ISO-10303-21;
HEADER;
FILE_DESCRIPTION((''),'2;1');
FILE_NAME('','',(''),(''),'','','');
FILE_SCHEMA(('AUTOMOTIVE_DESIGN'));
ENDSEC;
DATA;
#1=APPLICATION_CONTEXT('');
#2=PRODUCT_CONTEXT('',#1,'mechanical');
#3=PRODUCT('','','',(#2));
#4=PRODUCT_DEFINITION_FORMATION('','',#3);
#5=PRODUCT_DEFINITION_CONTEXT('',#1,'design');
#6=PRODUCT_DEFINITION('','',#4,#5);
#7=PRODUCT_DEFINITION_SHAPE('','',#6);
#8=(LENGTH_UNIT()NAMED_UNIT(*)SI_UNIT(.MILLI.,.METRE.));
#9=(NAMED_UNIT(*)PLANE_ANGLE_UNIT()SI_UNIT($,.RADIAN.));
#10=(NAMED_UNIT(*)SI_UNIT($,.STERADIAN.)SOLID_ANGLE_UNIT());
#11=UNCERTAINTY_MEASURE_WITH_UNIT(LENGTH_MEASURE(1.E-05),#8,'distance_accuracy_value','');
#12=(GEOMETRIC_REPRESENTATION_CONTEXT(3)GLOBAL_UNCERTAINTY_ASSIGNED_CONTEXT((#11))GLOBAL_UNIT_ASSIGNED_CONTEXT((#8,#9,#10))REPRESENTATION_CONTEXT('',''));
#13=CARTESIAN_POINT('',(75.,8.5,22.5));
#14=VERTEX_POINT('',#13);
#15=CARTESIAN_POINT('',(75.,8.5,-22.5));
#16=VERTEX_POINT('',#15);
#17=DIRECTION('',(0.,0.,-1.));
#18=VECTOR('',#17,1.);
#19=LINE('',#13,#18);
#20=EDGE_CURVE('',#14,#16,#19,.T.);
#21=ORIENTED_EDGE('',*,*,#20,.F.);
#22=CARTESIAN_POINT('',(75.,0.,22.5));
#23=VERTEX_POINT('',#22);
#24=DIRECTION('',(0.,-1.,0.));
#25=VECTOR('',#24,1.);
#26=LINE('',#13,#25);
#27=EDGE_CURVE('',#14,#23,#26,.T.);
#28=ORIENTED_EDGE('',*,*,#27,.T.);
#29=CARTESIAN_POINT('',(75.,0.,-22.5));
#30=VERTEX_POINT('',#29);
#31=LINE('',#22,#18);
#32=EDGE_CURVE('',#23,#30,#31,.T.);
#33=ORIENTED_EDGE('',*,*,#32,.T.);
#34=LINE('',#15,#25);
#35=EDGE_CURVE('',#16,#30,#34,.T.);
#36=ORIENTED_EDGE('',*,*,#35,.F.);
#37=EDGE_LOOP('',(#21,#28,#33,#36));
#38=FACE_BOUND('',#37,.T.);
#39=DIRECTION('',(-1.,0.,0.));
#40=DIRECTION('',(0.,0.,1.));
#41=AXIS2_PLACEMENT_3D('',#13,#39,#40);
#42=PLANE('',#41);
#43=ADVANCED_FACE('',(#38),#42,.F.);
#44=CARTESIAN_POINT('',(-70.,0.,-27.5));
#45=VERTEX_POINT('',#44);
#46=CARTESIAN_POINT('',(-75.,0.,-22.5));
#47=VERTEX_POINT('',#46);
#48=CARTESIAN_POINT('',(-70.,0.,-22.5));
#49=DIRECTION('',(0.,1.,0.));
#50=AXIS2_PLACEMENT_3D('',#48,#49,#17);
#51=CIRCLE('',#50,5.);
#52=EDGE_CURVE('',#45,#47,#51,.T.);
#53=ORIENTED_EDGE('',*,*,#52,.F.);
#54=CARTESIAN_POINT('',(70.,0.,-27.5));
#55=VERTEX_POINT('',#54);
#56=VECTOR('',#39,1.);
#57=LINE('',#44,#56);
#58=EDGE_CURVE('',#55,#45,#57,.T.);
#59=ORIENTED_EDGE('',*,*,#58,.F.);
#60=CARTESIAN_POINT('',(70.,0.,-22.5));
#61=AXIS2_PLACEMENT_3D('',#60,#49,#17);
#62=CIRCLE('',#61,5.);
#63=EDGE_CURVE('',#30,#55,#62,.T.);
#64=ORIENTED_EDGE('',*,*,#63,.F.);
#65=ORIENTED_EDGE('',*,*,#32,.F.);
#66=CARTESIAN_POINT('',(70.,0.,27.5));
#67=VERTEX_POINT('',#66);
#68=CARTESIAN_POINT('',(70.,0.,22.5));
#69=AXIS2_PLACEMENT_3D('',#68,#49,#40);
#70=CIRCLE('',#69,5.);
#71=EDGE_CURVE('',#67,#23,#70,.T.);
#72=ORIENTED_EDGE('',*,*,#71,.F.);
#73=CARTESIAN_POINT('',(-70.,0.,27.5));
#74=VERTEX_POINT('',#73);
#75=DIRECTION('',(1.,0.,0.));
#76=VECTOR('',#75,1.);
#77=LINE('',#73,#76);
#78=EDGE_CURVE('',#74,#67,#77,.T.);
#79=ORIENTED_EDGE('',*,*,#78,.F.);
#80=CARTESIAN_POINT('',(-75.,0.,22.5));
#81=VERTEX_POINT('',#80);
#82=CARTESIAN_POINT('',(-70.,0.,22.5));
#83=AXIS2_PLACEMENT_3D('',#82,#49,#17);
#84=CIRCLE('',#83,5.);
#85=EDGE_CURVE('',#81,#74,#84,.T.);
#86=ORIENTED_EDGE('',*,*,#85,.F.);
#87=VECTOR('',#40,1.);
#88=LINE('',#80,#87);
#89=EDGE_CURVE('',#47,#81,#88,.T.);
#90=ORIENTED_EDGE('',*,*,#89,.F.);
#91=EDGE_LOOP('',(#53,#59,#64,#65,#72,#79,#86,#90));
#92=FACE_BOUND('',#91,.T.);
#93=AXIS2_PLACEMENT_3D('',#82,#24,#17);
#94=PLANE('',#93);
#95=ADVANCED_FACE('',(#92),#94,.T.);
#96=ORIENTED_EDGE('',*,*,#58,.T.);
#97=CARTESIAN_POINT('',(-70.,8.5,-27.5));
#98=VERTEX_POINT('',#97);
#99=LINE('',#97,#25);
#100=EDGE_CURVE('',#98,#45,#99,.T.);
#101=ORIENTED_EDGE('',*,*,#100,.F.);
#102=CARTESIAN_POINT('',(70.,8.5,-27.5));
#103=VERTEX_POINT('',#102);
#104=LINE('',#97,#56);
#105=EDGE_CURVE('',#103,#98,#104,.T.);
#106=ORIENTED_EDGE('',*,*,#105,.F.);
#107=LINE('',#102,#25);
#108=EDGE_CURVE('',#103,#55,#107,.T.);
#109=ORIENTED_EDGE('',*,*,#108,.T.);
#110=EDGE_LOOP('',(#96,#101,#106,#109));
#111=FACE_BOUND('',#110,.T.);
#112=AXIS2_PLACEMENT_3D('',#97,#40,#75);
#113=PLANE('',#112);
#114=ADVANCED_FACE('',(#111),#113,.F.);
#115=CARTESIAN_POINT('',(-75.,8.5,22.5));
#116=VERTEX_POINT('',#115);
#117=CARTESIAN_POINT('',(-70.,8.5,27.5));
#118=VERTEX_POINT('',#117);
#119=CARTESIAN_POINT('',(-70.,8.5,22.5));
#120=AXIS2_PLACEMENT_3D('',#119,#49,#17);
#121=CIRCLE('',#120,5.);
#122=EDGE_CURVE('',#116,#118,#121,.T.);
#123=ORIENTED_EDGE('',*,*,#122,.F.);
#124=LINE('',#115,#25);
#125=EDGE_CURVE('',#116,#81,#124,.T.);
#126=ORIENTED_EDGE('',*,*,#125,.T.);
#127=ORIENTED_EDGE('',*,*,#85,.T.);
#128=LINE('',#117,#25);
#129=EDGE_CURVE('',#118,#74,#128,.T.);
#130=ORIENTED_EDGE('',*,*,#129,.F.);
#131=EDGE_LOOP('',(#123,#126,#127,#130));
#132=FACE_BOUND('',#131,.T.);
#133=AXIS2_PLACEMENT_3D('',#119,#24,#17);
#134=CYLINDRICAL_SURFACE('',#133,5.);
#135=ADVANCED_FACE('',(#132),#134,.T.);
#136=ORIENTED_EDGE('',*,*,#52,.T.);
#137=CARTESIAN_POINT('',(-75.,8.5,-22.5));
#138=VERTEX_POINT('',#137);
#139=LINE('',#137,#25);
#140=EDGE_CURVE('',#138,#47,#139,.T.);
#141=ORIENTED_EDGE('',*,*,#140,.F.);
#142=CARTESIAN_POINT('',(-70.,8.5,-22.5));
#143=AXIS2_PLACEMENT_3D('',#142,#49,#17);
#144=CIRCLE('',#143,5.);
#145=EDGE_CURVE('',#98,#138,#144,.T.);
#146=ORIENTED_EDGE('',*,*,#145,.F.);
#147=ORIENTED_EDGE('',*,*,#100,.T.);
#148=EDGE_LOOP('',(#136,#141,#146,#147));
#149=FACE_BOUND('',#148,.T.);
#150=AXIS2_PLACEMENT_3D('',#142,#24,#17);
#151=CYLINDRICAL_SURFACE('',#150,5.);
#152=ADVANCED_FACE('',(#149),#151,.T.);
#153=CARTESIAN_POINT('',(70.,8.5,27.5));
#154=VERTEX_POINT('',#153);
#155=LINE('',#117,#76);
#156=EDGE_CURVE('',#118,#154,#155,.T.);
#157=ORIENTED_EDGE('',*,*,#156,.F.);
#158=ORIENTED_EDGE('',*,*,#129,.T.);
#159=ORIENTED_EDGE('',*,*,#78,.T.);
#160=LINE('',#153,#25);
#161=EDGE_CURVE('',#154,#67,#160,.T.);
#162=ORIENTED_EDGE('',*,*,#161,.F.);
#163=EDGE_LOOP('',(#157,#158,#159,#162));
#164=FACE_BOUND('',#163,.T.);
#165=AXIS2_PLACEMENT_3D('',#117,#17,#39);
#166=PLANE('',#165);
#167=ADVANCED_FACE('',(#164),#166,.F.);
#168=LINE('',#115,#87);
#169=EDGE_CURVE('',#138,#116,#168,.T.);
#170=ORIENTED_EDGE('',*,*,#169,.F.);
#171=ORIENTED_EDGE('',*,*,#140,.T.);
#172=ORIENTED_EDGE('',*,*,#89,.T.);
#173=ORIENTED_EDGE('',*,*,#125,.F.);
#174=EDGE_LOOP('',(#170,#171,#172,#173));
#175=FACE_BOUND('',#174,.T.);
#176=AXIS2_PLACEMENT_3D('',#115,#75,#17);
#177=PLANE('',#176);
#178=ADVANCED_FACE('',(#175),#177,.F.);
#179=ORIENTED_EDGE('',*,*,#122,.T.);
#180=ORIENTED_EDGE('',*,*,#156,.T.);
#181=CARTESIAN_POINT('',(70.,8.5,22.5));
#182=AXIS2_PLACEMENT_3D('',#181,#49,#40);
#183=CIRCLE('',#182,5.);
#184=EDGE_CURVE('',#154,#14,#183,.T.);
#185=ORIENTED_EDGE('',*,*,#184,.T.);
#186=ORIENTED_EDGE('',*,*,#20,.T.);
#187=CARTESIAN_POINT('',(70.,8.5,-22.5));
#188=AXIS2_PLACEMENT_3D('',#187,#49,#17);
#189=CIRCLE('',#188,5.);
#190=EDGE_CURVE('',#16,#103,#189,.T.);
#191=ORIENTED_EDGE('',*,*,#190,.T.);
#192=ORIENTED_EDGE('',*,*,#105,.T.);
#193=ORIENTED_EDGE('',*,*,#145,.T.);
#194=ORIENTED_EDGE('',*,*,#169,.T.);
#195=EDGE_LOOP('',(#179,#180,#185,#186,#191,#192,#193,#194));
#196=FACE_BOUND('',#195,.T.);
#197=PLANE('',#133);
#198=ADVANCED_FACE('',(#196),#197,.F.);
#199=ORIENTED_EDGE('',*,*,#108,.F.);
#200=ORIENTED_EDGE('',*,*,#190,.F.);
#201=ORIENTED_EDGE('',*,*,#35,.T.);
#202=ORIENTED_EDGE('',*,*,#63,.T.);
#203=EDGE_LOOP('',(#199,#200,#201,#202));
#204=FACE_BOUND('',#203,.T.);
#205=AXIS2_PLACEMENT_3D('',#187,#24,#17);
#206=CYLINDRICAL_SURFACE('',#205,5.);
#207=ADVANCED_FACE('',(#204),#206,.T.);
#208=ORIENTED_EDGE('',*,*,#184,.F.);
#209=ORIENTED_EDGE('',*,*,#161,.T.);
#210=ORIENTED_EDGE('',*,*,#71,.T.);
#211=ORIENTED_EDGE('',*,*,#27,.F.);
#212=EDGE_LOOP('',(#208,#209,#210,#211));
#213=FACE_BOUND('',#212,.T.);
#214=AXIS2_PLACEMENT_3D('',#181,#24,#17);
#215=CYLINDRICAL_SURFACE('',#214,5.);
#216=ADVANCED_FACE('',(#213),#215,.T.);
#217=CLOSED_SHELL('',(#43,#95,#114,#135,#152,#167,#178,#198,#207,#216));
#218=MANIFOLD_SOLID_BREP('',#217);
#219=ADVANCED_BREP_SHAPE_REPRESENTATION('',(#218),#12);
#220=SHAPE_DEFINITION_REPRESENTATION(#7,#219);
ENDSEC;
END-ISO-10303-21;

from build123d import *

# Parameters (mm, degrees)
BOSS_EXTRUDE1_DEPTH = 8.5


with BuildPart() as part:
    # Sketch1 → Boss-Extrude1 (new body)
    with BuildSketch(Plane(origin=(0, 0, 0), x_dir=(1, 0, 0), z_dir=(0, 1, 0))):
        with BuildLine():
            Line((-70, -27.5), (70, -27.5))
            ThreePointArc((70, -27.5), (73.535533906, -26.035533906), (75, -22.5))
            Line((75, -22.5), (75, 22.5))
            ThreePointArc((75, 22.5), (73.535533906, 26.035533906), (70, 27.5))
            Line((70, 27.5), (-70, 27.5))
            ThreePointArc((-70, 27.5), (-73.535533906, 26.035533906), (-75, 22.5))
            Line((-75, 22.5), (-75, -22.5))
            ThreePointArc((-75, -22.5), (-73.535533906, -26.035533906), (-70, -27.5))
        make_face()
    extrude(amount=BOSS_EXTRUDE1_DEPTH)


solid = part.part
